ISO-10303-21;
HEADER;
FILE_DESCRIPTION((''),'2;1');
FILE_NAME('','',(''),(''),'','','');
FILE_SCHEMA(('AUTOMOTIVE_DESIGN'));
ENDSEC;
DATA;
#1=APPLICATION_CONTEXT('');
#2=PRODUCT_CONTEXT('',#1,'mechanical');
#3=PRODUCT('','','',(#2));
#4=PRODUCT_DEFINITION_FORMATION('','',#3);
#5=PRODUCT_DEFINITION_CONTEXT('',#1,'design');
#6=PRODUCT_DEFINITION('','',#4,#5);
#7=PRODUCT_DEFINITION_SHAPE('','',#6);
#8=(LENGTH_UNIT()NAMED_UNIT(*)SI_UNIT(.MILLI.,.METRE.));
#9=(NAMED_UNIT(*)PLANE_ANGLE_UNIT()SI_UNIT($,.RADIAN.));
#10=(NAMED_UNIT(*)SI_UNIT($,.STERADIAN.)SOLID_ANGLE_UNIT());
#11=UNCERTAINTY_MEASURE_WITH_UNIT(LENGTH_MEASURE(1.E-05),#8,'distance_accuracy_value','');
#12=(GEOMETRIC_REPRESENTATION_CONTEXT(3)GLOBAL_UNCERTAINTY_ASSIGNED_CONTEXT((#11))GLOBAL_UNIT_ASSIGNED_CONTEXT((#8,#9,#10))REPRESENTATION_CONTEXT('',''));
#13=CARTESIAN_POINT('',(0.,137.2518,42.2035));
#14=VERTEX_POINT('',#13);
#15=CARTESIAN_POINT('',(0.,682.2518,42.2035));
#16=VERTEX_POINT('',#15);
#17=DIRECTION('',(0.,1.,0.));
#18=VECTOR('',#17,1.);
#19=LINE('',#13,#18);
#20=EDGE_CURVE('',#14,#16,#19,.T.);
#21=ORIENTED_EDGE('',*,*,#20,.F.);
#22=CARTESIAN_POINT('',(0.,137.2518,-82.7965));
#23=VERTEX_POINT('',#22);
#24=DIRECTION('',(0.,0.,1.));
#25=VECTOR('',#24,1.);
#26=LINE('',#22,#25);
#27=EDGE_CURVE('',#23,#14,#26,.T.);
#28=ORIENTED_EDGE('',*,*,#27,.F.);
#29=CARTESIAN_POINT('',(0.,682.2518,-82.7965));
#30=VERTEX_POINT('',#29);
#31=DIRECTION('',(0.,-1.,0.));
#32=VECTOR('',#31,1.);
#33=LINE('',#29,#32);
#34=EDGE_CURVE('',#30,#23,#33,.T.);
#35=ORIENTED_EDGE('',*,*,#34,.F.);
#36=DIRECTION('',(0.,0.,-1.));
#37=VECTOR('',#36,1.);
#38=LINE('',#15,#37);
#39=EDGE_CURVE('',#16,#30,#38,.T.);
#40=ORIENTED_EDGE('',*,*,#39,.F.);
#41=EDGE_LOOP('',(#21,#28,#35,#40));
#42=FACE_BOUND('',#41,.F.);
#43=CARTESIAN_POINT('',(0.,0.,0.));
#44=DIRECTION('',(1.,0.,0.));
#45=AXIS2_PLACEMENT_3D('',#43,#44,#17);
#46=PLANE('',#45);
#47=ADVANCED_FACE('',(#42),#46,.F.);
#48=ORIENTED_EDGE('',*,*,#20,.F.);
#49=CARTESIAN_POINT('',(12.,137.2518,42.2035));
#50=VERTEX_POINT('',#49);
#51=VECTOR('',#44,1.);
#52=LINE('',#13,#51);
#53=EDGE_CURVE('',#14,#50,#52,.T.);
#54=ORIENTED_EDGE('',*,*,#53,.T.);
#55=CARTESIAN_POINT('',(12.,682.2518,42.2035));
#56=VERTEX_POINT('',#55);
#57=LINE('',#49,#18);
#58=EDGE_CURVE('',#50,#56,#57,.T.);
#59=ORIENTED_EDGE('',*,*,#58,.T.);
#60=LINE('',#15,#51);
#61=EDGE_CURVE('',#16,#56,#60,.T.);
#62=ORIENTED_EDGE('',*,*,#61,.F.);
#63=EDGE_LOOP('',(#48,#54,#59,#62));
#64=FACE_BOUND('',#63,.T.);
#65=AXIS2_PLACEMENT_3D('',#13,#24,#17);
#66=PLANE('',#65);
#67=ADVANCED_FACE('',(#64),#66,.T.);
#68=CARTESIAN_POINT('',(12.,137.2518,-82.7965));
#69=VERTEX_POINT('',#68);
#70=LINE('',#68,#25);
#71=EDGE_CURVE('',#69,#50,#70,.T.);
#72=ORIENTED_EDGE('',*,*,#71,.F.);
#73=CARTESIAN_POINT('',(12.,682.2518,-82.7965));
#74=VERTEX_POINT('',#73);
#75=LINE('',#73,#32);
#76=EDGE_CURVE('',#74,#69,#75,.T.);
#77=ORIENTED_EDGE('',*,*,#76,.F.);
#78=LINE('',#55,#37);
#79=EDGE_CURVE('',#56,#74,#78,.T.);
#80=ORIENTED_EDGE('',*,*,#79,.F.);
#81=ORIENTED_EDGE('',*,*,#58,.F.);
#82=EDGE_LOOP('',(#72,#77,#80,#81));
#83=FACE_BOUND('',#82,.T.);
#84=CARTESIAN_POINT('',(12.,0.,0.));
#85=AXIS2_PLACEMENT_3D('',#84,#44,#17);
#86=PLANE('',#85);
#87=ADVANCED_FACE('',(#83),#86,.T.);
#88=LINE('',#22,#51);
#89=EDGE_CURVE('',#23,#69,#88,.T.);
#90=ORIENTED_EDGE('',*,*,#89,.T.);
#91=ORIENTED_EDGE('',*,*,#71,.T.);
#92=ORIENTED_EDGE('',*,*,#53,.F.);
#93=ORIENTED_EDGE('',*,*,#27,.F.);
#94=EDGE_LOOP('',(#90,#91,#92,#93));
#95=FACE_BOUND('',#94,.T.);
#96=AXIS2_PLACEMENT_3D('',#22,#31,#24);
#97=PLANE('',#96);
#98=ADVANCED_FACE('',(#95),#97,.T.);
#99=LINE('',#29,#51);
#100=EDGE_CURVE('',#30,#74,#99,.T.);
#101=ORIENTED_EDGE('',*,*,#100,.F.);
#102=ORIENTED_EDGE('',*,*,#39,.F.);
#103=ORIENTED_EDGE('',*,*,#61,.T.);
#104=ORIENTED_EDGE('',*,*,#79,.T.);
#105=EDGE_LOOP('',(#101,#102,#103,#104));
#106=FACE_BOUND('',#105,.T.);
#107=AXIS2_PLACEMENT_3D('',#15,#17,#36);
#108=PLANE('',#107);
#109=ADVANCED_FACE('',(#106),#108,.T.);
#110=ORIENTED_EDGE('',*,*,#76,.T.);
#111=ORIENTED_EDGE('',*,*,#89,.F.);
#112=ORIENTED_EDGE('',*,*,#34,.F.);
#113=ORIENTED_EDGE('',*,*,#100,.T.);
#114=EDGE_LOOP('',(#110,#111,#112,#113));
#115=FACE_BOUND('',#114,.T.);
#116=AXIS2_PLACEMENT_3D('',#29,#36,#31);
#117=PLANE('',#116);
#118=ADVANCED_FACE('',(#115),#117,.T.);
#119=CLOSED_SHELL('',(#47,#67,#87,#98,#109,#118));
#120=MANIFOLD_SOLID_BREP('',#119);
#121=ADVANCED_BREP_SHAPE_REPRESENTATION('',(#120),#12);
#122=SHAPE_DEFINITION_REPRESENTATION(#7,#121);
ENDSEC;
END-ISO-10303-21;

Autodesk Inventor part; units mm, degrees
ref_plane "YZ Plane" through (0, 0, 0) normal (1, 0, 0) x (0, 1, 0)
ref_plane "XZ Plane" through (0, 0, 0) normal (0, 1, 0) x (-1, 0, 0)
ref_plane "XY Plane" through (0, 0, 0) normal (0, 0, 1) x (1, 0, 0)
sketch "Sketch1" plane through (0, 0, 0) normal (1, 0, 0) x (0, 1, 0)
  line L0 (137.2518, 42.2035) -> (682.2518, 42.2035)
  line L1 (682.2518, 42.2035) -> (682.2518, -82.7965)
  line L2 (682.2518, -82.7965) -> (137.2518, -82.7965)
  line L3 (137.2518, -82.7965) -> (137.2518, 42.2035)
  point P0 (0, 0)
  dimension "b" = 545
  dimension "d1" = 125
extrude "Extrusion1" add sketch "Sketch1" along normal blind 12
properties part number "CUT PART D-01" material "Wood (Birch)"
